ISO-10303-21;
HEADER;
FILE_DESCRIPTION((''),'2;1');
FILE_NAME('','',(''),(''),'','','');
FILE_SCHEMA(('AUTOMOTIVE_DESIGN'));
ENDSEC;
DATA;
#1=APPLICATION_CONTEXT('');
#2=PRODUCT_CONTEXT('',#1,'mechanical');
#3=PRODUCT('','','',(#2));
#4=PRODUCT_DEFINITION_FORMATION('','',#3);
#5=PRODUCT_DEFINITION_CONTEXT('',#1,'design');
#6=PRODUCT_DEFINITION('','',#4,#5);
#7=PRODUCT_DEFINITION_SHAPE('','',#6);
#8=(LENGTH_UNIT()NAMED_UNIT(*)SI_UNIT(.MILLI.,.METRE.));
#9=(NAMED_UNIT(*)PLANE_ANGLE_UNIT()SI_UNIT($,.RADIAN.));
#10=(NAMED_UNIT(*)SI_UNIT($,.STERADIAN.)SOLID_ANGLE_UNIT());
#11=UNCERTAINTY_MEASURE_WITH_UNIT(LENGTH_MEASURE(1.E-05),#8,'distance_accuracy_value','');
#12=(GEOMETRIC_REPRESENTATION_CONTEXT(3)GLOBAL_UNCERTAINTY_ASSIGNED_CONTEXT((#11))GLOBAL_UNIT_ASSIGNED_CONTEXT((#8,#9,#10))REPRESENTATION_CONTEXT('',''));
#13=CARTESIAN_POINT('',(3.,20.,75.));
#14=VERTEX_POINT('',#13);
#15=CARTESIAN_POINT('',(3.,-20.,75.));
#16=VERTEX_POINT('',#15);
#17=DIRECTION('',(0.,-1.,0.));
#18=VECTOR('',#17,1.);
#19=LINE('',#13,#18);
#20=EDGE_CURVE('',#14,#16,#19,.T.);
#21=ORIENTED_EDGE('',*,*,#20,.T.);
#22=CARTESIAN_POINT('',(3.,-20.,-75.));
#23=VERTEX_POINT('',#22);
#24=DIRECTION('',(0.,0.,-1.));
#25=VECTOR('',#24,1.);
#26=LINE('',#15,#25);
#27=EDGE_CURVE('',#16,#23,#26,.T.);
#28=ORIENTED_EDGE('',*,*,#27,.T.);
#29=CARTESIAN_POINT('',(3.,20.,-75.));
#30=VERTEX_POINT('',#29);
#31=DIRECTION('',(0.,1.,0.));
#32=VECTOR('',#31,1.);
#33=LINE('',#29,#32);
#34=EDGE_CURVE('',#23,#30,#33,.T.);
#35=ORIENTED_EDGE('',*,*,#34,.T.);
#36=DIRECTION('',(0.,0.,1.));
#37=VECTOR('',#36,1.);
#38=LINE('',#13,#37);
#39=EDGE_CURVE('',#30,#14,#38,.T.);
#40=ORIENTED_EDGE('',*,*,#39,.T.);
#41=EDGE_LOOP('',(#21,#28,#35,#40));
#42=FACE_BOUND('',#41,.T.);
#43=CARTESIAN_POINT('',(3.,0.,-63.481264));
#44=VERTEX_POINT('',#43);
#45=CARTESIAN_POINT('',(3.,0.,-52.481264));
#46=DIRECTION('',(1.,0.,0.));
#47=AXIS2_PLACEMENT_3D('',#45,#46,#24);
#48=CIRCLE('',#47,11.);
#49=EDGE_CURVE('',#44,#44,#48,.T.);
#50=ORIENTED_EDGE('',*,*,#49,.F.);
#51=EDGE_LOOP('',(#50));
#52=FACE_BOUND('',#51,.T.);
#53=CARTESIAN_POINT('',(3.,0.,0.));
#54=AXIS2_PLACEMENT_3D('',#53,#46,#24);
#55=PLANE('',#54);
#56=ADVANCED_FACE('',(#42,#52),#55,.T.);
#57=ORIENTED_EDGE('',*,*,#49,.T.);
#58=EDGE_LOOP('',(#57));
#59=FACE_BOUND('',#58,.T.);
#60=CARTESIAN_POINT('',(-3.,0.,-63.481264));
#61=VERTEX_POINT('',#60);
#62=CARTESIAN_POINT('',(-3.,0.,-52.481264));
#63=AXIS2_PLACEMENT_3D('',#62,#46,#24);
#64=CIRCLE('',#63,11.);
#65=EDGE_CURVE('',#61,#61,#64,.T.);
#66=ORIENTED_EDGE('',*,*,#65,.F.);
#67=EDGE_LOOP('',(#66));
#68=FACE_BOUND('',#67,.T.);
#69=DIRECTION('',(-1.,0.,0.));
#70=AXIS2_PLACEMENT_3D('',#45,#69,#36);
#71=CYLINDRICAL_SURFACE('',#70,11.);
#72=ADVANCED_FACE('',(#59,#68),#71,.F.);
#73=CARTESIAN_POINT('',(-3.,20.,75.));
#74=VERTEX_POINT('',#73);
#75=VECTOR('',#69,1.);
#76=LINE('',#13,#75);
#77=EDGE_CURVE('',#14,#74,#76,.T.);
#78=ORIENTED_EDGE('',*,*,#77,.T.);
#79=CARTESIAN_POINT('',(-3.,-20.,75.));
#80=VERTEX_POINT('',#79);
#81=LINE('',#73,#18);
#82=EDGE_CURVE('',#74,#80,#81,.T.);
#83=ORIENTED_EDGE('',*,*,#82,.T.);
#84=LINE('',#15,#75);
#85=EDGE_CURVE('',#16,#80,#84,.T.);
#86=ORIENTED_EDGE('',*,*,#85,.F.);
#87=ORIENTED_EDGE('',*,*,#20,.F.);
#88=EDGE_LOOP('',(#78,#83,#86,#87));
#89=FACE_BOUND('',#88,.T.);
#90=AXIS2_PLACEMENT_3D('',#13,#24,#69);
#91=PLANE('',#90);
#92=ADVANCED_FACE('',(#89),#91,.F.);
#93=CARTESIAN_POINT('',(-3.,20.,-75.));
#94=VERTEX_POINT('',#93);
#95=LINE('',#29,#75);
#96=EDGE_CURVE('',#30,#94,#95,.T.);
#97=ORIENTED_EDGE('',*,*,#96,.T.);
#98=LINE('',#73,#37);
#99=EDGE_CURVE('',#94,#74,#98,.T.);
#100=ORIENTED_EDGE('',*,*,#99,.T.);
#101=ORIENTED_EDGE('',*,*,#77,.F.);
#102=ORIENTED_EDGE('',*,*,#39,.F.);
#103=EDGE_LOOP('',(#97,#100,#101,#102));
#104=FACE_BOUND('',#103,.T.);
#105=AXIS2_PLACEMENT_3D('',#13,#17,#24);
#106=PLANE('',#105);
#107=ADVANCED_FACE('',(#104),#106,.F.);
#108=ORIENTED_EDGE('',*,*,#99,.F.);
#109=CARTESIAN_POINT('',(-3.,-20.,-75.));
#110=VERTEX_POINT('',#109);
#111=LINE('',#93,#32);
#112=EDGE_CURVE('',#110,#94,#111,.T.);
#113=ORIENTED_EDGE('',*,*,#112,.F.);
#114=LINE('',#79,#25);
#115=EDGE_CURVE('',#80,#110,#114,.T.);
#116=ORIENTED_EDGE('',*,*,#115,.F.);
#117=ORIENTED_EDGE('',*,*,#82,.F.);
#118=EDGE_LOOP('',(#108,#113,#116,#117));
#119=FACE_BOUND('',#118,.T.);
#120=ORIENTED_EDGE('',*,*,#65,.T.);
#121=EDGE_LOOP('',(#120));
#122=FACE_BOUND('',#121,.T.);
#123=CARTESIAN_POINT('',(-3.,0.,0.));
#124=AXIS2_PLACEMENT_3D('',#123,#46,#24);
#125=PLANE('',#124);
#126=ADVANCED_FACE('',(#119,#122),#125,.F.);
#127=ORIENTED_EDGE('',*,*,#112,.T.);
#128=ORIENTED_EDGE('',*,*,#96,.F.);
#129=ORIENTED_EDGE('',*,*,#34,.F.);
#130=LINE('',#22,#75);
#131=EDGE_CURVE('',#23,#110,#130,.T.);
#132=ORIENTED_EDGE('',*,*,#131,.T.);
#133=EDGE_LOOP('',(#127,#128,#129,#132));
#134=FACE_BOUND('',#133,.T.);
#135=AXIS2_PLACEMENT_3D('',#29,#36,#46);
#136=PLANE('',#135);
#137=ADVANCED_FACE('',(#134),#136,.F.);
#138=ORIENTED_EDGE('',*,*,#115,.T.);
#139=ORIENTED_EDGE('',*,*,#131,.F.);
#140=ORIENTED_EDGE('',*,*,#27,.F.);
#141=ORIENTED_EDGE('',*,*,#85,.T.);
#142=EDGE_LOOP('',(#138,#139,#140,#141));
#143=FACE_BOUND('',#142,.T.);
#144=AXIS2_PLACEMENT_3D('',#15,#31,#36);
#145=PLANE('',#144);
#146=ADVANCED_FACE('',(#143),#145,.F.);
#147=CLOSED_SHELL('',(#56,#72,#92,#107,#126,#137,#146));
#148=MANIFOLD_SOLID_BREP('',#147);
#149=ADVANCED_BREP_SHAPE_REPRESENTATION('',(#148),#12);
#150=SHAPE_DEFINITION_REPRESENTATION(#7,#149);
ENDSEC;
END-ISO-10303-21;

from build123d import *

# Parameters (mm, degrees)
SKETCH1_W           = 150
SKETCH1_H           = 40
SKETCH1_R           = 11
BOSS_EXTRUDE1_DEPTH = 3


with BuildPart() as part:
    # Sketch1 → Boss-Extrude1 (new, symmetric)
    with BuildSketch(Plane(origin=(0, 0, 0), x_dir=(0, 0, -1), z_dir=(1, 0, 0))):
        Rectangle(SKETCH1_W, SKETCH1_H)
        with Locations((52.481264033, 0)):
            Circle(SKETCH1_R, mode=Mode.SUBTRACT)
    extrude(amount=BOSS_EXTRUDE1_DEPTH, both=True)


solid = part.part
